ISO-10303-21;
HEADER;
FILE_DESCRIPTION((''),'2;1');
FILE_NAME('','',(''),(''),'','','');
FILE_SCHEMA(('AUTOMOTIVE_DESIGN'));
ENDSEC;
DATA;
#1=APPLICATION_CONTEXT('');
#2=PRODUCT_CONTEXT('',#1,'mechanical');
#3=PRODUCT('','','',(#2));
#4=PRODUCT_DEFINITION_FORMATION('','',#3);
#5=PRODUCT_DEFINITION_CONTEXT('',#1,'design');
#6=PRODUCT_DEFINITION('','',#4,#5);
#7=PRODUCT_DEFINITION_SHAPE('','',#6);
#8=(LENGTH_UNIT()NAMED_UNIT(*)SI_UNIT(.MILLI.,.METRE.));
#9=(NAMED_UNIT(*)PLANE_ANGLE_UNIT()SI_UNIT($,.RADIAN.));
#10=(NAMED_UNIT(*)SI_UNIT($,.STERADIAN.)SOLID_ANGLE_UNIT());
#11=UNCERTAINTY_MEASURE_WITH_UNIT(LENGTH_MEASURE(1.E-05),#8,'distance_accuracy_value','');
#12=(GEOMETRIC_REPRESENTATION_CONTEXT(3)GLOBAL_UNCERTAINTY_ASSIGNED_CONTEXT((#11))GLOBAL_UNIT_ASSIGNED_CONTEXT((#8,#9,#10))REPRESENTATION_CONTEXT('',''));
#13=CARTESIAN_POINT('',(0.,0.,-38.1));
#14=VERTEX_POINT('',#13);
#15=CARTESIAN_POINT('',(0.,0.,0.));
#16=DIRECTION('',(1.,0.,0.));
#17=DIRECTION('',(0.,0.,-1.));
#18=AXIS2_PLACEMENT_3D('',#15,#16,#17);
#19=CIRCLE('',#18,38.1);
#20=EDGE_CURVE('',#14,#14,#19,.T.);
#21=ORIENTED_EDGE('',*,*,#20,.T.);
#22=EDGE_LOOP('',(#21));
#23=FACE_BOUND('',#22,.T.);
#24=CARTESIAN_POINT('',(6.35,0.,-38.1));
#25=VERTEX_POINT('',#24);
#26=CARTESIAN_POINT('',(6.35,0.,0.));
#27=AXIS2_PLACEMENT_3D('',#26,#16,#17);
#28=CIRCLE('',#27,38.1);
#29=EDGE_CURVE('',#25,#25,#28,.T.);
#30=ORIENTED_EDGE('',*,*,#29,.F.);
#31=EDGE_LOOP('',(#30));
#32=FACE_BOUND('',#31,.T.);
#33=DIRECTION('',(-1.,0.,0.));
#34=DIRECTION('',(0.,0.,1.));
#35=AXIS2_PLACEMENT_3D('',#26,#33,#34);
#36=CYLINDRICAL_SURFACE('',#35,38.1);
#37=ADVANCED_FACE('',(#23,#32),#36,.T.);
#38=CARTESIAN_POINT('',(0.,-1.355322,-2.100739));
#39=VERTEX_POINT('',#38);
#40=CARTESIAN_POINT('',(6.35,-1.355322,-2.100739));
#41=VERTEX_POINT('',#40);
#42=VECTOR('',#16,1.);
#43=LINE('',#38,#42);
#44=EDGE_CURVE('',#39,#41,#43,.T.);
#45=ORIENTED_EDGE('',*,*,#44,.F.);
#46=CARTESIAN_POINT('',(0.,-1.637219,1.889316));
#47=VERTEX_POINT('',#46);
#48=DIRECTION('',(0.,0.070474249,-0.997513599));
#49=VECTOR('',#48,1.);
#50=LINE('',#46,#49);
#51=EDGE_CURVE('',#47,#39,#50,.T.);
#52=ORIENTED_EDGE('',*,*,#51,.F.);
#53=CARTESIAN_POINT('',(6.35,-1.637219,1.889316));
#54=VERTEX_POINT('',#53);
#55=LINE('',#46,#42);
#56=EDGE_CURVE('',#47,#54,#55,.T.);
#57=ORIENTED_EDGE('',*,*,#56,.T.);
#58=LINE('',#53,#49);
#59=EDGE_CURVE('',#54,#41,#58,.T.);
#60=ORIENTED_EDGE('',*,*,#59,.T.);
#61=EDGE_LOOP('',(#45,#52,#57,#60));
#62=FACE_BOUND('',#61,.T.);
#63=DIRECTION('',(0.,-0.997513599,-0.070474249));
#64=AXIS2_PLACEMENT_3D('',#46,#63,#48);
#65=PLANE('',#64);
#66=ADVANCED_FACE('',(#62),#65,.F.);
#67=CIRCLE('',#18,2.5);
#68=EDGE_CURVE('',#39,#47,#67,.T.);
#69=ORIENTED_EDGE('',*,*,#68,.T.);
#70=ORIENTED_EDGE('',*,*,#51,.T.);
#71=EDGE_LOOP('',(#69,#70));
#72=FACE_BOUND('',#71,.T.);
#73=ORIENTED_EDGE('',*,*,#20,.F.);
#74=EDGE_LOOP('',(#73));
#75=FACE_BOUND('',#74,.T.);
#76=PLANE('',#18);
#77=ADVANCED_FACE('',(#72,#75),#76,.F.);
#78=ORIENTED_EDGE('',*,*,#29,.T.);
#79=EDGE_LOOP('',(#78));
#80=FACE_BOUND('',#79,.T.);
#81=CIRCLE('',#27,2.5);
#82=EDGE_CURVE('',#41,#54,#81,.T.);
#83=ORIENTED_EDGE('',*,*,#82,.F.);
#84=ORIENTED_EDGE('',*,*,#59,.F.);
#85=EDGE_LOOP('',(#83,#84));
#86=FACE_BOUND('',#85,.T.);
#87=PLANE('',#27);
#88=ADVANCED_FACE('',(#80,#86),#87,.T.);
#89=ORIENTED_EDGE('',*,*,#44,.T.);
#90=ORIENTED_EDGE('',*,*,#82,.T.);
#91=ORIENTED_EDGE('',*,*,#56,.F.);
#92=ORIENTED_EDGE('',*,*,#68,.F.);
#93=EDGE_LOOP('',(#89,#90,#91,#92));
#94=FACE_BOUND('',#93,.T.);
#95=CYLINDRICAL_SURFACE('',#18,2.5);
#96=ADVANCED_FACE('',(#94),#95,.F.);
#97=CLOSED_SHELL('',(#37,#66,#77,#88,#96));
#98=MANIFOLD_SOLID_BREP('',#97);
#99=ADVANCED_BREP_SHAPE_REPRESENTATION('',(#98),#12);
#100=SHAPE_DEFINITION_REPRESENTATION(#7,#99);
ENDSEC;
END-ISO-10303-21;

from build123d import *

# Parameters (mm, degrees)
SKETCH1_R           = 38.1
BOSS_EXTRUDE1_DEPTH = 6.35
CUT_EXTRUDE1_DEPTH  = 7.35


with BuildPart() as part:
    # Sketch1 → Boss-Extrude1 (new body)
    with BuildSketch(Plane(origin=(0, 0, 0), x_dir=(0, 0, -1), z_dir=(1, 0, 0))):
        Circle(SKETCH1_R)
    extrude(amount=BOSS_EXTRUDE1_DEPTH)

    # Sketch5 → Cut-Extrude1 (cut, through all)
    with BuildSketch(Plane(origin=(6.35, 0, 0), x_dir=(0, 0, -1), z_dir=(1, 0, 0))):
        with BuildLine():
            Line((-1.889315824, -1.637218897), (2.100738572, -1.3553219))
            ThreePointArc((2.100738572, -1.3553219), (-0.176185623, 2.493783998), (-1.889315824, -1.637218897))
        make_face()
    extrude(amount=-CUT_EXTRUDE1_DEPTH, mode=Mode.SUBTRACT)


solid = part.part
